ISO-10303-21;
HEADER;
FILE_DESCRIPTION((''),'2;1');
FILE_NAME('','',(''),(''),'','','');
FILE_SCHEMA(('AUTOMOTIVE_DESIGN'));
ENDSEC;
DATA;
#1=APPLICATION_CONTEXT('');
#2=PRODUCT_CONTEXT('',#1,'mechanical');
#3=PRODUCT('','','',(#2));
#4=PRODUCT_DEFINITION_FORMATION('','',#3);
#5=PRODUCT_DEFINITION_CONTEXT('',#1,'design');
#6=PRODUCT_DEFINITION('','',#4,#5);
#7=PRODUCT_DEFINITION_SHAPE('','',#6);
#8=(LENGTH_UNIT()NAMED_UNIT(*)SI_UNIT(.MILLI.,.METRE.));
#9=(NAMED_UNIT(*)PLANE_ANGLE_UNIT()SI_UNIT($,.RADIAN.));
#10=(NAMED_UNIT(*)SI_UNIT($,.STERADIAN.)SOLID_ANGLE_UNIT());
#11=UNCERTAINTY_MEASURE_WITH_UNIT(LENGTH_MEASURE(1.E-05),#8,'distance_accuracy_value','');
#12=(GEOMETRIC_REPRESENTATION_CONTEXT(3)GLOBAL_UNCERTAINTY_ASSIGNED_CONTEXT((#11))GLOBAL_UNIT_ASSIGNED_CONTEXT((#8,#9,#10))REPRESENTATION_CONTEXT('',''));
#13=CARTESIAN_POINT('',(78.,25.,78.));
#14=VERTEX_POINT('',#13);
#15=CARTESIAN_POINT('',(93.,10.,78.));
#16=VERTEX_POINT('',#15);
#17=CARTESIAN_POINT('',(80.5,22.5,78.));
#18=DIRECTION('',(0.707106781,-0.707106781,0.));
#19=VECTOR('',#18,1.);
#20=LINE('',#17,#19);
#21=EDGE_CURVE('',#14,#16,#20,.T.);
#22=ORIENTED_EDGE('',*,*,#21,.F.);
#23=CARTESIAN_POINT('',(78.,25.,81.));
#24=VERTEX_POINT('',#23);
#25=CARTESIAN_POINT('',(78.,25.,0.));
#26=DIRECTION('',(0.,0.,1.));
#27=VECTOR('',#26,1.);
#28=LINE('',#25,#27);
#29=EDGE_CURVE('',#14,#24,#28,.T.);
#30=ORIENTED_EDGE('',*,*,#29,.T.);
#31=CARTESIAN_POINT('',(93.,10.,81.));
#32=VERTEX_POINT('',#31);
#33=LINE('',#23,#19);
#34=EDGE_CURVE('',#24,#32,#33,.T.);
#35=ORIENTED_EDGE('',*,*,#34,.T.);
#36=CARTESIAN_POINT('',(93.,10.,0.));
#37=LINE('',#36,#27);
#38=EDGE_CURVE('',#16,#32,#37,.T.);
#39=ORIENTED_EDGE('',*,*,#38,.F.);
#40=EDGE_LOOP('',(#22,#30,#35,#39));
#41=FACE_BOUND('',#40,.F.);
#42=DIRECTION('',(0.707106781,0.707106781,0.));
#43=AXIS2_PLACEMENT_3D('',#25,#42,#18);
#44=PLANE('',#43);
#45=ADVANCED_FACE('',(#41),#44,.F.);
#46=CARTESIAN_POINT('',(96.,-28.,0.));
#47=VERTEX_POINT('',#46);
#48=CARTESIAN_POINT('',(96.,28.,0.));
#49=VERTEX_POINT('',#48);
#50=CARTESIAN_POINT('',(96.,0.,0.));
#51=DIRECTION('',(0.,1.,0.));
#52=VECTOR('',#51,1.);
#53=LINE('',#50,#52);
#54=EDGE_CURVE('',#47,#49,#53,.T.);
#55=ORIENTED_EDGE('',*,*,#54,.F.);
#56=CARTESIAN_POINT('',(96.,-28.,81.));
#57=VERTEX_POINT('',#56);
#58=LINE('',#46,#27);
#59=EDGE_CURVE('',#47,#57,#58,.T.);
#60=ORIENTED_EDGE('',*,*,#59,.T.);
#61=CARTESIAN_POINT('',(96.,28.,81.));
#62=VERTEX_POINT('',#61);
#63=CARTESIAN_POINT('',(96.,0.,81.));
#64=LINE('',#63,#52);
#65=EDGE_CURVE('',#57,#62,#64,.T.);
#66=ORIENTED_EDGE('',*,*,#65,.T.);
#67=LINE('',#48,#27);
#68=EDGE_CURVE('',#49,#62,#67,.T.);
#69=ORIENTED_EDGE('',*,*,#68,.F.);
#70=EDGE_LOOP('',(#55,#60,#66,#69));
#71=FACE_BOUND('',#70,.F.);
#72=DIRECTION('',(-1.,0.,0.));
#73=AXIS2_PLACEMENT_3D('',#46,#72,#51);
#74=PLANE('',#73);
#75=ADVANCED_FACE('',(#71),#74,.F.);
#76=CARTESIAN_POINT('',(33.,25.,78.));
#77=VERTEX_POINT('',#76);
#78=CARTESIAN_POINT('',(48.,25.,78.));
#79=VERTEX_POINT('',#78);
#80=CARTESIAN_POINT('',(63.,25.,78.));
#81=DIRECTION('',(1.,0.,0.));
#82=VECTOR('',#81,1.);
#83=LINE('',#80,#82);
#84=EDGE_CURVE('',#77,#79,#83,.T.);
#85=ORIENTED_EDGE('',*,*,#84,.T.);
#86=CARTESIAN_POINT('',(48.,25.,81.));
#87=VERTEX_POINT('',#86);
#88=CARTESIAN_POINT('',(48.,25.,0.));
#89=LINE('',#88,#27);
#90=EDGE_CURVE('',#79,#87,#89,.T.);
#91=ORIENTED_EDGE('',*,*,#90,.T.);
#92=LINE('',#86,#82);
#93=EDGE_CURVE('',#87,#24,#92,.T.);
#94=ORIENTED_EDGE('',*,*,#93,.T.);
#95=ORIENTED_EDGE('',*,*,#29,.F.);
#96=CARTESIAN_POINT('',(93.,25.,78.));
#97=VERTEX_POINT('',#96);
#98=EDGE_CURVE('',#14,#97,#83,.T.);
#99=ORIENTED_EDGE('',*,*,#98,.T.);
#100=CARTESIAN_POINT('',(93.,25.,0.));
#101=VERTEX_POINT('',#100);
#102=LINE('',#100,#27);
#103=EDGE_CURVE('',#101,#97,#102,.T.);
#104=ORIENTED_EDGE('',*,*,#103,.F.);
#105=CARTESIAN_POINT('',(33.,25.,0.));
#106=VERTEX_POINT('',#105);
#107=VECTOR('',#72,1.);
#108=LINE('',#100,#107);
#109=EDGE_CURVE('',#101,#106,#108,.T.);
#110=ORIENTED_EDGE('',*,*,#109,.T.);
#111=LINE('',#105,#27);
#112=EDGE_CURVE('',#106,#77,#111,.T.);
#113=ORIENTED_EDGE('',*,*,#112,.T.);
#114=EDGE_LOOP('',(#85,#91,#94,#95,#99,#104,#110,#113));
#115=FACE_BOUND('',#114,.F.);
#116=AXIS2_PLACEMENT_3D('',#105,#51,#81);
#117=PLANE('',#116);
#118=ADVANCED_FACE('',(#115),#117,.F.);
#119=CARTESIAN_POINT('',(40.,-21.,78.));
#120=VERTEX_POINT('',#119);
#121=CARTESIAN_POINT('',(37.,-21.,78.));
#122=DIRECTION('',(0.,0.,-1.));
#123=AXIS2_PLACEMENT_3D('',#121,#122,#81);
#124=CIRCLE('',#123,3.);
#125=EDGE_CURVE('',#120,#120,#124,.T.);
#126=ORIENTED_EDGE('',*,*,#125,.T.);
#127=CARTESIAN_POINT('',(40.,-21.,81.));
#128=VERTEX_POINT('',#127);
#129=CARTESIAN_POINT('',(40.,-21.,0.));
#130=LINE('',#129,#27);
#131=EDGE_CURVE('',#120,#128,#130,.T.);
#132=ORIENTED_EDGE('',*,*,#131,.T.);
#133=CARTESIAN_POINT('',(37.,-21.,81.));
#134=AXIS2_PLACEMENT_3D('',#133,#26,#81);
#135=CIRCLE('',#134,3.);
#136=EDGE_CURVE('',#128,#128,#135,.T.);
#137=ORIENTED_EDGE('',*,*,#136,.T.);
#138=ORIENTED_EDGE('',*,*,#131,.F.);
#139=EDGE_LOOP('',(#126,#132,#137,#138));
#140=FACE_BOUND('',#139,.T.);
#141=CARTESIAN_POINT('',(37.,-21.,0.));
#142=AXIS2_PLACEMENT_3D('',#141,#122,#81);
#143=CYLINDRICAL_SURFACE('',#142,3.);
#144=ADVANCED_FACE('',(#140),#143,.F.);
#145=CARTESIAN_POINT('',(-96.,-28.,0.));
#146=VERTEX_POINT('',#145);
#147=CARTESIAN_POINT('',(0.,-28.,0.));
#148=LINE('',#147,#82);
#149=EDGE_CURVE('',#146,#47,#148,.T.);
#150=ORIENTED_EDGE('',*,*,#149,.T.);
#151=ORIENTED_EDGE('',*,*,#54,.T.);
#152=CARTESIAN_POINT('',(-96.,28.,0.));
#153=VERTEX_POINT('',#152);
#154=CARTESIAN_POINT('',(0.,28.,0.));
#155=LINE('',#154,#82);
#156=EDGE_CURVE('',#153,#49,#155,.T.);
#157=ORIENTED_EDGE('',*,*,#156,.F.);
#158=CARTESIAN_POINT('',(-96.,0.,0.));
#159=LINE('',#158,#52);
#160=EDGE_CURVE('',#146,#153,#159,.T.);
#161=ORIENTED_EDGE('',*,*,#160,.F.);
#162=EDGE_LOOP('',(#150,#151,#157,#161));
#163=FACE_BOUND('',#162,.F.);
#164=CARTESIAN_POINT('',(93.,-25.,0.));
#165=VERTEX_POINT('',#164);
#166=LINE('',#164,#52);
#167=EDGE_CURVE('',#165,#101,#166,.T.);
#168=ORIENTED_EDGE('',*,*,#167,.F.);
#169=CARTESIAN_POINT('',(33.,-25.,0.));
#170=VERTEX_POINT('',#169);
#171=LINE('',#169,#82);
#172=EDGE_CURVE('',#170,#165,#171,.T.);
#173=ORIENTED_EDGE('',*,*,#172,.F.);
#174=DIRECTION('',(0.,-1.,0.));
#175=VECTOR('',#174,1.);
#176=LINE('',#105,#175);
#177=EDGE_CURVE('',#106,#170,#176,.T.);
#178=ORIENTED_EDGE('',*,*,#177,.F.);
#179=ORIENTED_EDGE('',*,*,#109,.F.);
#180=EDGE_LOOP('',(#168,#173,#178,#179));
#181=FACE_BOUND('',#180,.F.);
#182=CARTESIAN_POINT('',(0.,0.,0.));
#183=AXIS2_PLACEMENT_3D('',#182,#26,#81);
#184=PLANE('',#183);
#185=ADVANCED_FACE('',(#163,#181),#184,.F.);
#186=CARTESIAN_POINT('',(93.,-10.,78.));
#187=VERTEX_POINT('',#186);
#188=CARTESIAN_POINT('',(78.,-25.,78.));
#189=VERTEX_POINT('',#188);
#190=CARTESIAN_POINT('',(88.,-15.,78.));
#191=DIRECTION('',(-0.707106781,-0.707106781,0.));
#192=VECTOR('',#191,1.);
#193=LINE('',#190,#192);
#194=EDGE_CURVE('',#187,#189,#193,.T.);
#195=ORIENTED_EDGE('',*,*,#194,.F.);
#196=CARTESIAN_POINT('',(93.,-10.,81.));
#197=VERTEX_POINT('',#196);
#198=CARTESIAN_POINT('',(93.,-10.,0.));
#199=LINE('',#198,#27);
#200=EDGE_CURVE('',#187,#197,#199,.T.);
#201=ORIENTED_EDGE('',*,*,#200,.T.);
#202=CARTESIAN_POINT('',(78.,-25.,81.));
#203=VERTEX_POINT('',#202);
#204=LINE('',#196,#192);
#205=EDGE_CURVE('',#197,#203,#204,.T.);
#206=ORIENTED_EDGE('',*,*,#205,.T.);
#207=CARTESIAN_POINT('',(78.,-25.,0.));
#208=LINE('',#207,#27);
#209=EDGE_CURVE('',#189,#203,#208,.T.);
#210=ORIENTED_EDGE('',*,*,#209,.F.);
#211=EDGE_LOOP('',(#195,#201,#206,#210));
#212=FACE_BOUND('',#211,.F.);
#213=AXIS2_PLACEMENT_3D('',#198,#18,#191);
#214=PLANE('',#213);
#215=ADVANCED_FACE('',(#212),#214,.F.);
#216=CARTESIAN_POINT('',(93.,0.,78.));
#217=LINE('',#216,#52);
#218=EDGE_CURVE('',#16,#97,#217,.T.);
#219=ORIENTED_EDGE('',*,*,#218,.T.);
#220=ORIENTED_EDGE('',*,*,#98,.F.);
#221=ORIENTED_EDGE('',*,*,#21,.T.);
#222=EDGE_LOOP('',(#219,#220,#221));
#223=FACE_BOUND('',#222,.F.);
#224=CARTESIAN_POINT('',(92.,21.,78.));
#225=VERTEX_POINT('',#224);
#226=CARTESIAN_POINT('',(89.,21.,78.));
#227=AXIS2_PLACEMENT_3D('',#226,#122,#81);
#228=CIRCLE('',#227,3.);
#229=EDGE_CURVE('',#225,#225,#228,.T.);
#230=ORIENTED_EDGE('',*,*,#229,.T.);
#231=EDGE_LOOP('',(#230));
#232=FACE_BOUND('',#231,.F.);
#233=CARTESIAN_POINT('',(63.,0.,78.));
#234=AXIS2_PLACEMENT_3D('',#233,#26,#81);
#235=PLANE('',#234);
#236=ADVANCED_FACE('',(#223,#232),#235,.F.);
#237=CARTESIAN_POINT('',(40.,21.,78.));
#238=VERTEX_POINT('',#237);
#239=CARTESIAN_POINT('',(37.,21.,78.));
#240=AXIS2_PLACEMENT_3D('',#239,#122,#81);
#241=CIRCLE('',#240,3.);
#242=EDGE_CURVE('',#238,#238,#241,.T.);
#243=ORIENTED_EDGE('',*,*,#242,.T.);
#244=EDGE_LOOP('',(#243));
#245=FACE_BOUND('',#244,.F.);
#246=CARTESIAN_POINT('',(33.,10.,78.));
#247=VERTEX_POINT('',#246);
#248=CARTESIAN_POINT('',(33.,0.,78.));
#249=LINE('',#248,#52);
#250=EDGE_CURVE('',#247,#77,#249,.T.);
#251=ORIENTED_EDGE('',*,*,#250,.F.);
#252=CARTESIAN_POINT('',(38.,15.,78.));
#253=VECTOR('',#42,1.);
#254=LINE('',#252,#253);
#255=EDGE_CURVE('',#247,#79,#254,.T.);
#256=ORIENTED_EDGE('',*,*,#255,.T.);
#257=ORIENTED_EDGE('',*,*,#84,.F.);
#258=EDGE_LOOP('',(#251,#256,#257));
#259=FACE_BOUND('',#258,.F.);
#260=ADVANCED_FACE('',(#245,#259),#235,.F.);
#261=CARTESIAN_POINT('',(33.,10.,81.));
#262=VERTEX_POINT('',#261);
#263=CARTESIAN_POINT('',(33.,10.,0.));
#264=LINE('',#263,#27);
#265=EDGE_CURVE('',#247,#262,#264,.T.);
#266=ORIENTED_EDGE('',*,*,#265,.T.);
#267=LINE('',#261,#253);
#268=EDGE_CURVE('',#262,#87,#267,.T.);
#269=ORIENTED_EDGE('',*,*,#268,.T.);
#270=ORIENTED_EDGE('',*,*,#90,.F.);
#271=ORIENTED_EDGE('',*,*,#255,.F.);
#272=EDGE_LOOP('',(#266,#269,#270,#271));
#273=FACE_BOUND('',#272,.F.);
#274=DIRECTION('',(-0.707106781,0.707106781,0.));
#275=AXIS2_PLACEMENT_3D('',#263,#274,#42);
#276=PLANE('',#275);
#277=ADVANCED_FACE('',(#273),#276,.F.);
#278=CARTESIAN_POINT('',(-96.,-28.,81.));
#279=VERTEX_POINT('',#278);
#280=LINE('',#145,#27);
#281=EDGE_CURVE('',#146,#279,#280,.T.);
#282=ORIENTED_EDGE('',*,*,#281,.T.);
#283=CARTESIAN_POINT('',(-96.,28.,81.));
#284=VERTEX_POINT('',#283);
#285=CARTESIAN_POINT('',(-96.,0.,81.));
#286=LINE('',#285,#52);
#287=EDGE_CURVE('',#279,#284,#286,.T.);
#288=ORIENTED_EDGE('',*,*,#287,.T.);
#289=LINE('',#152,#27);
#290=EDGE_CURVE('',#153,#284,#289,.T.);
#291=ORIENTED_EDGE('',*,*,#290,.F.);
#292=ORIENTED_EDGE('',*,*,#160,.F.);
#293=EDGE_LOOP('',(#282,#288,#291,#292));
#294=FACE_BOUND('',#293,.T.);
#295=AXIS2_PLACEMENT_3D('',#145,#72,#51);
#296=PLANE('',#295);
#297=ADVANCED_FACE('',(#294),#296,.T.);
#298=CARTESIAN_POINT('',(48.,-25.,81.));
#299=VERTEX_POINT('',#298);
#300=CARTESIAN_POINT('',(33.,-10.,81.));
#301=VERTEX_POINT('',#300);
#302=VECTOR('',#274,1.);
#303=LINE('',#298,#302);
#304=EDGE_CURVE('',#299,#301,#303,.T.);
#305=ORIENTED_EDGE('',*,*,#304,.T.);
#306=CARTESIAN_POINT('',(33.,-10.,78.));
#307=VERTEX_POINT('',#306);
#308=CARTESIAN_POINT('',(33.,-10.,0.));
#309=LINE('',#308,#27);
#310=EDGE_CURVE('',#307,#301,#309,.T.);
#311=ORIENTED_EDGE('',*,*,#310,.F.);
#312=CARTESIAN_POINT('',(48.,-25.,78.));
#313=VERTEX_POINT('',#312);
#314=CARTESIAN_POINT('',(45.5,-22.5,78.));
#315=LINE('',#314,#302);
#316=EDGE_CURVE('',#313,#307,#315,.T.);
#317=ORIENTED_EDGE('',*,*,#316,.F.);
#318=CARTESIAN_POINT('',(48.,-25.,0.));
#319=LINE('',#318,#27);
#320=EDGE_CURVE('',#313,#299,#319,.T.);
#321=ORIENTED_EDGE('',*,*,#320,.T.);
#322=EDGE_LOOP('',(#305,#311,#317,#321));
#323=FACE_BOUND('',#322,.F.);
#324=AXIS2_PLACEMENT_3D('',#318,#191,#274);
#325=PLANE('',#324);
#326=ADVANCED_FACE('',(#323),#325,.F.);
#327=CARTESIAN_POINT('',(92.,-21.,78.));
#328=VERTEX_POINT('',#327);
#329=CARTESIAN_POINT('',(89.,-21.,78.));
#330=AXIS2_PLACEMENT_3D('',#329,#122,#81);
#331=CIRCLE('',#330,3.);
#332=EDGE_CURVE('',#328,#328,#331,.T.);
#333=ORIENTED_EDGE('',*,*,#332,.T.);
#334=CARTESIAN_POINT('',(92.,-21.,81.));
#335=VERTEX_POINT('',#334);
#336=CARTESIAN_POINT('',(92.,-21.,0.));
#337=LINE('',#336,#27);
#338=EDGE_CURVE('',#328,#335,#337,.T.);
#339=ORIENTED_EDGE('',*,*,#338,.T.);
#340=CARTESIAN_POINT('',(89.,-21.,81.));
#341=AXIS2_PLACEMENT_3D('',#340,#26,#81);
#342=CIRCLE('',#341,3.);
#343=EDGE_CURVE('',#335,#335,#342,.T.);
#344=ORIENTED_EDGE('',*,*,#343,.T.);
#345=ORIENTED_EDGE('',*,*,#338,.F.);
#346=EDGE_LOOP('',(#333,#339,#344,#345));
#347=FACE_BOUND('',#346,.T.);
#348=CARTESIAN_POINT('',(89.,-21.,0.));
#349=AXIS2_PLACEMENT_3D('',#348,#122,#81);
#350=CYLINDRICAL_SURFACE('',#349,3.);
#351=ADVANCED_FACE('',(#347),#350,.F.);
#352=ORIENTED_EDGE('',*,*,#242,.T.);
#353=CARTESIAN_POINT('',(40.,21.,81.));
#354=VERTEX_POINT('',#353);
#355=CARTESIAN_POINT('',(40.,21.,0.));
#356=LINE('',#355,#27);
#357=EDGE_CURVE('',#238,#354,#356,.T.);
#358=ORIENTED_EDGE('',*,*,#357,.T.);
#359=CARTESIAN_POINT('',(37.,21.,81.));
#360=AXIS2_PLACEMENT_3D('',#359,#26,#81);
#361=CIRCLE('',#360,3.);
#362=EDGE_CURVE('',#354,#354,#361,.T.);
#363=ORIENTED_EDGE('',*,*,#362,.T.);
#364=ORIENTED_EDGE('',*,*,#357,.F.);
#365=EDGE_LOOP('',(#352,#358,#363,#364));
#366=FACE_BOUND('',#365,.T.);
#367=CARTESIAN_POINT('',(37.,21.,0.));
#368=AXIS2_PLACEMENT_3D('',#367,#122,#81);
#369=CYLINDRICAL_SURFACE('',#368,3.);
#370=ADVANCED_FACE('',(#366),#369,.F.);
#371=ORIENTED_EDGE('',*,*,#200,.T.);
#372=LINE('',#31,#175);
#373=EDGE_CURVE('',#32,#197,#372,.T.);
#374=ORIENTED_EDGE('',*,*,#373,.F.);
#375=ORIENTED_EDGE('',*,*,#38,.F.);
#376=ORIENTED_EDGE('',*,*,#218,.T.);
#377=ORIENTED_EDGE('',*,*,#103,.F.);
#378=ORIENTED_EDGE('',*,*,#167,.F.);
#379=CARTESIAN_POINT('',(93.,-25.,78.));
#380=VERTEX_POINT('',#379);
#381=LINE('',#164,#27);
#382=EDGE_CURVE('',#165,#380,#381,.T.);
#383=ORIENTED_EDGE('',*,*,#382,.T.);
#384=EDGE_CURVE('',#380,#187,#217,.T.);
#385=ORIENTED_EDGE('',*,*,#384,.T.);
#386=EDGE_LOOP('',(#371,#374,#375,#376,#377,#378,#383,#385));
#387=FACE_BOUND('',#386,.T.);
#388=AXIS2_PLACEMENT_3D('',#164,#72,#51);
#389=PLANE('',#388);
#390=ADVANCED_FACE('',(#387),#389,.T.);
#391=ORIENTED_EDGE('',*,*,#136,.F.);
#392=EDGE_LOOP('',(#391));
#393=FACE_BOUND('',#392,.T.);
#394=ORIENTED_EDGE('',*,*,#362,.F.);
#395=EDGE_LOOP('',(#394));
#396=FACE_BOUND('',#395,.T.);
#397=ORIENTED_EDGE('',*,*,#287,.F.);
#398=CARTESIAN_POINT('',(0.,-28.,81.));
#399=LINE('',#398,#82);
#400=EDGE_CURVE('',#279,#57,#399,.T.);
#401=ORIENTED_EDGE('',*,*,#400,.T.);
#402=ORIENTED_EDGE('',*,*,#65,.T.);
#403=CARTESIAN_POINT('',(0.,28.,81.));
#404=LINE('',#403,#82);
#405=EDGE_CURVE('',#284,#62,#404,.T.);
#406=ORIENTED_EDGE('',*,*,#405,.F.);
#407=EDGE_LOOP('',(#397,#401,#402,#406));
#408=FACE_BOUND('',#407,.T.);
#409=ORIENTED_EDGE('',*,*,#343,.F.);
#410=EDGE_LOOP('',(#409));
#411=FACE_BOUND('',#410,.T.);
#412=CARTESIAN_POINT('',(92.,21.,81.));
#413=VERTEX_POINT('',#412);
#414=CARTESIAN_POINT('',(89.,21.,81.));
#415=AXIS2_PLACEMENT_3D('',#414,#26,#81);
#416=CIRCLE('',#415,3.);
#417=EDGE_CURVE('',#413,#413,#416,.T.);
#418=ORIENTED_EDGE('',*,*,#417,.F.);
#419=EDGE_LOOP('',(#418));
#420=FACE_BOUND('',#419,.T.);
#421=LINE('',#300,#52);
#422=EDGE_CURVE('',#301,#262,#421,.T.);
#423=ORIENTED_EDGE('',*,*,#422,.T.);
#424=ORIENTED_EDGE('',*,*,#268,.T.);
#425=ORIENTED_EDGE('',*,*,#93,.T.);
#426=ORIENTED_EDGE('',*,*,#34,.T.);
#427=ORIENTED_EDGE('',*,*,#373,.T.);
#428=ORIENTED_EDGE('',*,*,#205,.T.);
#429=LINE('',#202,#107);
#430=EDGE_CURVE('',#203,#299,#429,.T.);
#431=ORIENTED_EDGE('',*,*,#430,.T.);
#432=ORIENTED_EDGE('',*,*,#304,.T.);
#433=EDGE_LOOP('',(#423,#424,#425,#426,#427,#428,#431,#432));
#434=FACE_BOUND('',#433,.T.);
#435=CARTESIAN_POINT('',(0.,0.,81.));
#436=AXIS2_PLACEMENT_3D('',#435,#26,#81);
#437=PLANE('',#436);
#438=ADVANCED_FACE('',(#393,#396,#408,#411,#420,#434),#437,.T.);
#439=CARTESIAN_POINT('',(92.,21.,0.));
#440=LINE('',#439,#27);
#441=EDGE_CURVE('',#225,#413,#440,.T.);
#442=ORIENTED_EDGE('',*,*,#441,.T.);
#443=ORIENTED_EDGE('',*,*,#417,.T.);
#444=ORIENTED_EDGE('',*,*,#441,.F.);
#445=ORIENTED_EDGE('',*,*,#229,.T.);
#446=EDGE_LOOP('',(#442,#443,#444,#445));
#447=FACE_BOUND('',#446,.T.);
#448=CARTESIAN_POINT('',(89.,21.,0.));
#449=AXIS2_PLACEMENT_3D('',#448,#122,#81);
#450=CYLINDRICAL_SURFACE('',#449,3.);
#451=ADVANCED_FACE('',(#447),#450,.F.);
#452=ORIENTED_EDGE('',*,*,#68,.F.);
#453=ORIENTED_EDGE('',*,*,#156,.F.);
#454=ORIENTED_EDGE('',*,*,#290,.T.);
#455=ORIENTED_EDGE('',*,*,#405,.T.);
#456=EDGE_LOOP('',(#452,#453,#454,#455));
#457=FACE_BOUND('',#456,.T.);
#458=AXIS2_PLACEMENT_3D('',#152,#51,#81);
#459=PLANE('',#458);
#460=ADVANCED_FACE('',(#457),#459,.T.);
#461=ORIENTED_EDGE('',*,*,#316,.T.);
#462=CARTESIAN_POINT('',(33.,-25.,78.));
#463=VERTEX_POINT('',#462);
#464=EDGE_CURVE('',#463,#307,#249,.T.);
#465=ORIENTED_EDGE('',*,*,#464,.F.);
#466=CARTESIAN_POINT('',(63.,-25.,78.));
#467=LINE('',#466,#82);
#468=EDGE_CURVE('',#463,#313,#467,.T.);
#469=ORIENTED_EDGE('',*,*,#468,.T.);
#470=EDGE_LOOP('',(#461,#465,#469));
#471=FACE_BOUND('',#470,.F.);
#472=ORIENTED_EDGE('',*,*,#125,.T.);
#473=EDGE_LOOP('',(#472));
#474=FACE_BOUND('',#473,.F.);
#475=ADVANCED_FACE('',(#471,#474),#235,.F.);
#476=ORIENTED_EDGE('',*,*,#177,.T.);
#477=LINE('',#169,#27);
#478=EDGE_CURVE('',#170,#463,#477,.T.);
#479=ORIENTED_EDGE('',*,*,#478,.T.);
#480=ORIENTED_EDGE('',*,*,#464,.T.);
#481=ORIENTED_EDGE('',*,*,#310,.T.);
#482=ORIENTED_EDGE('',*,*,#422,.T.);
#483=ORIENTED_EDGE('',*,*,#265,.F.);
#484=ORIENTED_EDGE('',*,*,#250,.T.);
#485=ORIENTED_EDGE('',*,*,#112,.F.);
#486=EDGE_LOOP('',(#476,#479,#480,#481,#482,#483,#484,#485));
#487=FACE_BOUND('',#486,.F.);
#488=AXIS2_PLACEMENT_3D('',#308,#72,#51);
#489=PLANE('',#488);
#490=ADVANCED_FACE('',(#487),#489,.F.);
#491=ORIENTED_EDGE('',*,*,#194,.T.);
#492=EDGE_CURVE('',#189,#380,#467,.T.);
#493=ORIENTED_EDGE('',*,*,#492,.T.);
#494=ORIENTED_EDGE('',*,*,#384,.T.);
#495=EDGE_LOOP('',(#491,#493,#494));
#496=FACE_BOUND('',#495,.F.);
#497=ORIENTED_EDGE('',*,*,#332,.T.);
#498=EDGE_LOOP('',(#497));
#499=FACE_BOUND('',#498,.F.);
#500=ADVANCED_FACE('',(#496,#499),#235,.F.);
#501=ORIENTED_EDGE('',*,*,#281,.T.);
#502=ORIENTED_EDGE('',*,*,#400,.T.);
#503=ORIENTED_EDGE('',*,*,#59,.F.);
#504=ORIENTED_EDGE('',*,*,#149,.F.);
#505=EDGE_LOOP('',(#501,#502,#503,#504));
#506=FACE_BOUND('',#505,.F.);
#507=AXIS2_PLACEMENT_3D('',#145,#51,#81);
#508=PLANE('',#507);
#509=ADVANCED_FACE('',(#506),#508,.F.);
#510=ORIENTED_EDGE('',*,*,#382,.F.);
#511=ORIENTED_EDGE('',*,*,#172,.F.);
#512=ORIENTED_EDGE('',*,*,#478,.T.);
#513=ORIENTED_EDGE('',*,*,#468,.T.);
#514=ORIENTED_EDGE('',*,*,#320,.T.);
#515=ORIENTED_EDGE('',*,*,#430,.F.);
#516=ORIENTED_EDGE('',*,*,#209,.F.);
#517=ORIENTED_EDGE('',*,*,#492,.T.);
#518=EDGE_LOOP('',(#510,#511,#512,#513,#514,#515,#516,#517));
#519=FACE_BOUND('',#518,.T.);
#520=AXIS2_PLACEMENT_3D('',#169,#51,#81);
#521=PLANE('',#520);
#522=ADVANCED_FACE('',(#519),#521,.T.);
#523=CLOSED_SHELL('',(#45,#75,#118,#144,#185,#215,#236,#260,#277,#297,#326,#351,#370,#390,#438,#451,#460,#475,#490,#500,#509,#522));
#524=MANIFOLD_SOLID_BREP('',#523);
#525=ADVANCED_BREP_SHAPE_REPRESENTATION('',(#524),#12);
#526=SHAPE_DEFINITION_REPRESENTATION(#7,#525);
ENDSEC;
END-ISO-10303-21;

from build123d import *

# Parameters (mm, degrees)
STRUCTURESKETCH001_W      = 192
STRUCTURESKETCH001_H      = 56
MAINSTRUCTURE001_DEPTH    = 81
ZONESKETCH001_R           = 3
CENTERPOCKET001_DEPTH     = 81
ZONEFILLSKETCH001_W       = 60
ZONEFILLSKETCH001_H       = 50
CENTERFILLPOCKET001_DEPTH = 78


with BuildPart() as part:
    # StructureSketch001 → MainStructure001 (new body)
    with BuildSketch(Plane.XY):
        Rectangle(STRUCTURESKETCH001_W, STRUCTURESKETCH001_H)
    extrude(amount=MAINSTRUCTURE001_DEPTH)

    # ZoneSketch001 (on DatumPlane) → CenterPocket001 (cut)
    with BuildSketch(Plane(origin=(63, 0, 0), x_dir=(1, 0, 0), z_dir=(0, 0, 1))):
        with Locations((-26, 21)):
            Circle(ZONESKETCH001_R)
        with Locations((26, 21)):
            Circle(ZONESKETCH001_R)
        with Locations((26, -21)):
            Circle(ZONESKETCH001_R)
        with Locations((-26, -21)):
            Circle(ZONESKETCH001_R)
        Polygon((-15, 25), (15, 25), (30, 10), (30, -10), (15, -25), (-15, -25), (-30, -10), (-30, 10), align=None)
    extrude(amount=CENTERPOCKET001_DEPTH, mode=Mode.SUBTRACT)

    # ZoneFillSketch001 (on DatumPlane) → CenterFillPocket001 (cut)
    with BuildSketch(Plane(origin=(63, 0, 0), x_dir=(1, 0, 0), z_dir=(0, 0, 1))):
        Rectangle(ZONEFILLSKETCH001_W, ZONEFILLSKETCH001_H)
    extrude(amount=CENTERFILLPOCKET001_DEPTH, mode=Mode.SUBTRACT)


solid = part.part
